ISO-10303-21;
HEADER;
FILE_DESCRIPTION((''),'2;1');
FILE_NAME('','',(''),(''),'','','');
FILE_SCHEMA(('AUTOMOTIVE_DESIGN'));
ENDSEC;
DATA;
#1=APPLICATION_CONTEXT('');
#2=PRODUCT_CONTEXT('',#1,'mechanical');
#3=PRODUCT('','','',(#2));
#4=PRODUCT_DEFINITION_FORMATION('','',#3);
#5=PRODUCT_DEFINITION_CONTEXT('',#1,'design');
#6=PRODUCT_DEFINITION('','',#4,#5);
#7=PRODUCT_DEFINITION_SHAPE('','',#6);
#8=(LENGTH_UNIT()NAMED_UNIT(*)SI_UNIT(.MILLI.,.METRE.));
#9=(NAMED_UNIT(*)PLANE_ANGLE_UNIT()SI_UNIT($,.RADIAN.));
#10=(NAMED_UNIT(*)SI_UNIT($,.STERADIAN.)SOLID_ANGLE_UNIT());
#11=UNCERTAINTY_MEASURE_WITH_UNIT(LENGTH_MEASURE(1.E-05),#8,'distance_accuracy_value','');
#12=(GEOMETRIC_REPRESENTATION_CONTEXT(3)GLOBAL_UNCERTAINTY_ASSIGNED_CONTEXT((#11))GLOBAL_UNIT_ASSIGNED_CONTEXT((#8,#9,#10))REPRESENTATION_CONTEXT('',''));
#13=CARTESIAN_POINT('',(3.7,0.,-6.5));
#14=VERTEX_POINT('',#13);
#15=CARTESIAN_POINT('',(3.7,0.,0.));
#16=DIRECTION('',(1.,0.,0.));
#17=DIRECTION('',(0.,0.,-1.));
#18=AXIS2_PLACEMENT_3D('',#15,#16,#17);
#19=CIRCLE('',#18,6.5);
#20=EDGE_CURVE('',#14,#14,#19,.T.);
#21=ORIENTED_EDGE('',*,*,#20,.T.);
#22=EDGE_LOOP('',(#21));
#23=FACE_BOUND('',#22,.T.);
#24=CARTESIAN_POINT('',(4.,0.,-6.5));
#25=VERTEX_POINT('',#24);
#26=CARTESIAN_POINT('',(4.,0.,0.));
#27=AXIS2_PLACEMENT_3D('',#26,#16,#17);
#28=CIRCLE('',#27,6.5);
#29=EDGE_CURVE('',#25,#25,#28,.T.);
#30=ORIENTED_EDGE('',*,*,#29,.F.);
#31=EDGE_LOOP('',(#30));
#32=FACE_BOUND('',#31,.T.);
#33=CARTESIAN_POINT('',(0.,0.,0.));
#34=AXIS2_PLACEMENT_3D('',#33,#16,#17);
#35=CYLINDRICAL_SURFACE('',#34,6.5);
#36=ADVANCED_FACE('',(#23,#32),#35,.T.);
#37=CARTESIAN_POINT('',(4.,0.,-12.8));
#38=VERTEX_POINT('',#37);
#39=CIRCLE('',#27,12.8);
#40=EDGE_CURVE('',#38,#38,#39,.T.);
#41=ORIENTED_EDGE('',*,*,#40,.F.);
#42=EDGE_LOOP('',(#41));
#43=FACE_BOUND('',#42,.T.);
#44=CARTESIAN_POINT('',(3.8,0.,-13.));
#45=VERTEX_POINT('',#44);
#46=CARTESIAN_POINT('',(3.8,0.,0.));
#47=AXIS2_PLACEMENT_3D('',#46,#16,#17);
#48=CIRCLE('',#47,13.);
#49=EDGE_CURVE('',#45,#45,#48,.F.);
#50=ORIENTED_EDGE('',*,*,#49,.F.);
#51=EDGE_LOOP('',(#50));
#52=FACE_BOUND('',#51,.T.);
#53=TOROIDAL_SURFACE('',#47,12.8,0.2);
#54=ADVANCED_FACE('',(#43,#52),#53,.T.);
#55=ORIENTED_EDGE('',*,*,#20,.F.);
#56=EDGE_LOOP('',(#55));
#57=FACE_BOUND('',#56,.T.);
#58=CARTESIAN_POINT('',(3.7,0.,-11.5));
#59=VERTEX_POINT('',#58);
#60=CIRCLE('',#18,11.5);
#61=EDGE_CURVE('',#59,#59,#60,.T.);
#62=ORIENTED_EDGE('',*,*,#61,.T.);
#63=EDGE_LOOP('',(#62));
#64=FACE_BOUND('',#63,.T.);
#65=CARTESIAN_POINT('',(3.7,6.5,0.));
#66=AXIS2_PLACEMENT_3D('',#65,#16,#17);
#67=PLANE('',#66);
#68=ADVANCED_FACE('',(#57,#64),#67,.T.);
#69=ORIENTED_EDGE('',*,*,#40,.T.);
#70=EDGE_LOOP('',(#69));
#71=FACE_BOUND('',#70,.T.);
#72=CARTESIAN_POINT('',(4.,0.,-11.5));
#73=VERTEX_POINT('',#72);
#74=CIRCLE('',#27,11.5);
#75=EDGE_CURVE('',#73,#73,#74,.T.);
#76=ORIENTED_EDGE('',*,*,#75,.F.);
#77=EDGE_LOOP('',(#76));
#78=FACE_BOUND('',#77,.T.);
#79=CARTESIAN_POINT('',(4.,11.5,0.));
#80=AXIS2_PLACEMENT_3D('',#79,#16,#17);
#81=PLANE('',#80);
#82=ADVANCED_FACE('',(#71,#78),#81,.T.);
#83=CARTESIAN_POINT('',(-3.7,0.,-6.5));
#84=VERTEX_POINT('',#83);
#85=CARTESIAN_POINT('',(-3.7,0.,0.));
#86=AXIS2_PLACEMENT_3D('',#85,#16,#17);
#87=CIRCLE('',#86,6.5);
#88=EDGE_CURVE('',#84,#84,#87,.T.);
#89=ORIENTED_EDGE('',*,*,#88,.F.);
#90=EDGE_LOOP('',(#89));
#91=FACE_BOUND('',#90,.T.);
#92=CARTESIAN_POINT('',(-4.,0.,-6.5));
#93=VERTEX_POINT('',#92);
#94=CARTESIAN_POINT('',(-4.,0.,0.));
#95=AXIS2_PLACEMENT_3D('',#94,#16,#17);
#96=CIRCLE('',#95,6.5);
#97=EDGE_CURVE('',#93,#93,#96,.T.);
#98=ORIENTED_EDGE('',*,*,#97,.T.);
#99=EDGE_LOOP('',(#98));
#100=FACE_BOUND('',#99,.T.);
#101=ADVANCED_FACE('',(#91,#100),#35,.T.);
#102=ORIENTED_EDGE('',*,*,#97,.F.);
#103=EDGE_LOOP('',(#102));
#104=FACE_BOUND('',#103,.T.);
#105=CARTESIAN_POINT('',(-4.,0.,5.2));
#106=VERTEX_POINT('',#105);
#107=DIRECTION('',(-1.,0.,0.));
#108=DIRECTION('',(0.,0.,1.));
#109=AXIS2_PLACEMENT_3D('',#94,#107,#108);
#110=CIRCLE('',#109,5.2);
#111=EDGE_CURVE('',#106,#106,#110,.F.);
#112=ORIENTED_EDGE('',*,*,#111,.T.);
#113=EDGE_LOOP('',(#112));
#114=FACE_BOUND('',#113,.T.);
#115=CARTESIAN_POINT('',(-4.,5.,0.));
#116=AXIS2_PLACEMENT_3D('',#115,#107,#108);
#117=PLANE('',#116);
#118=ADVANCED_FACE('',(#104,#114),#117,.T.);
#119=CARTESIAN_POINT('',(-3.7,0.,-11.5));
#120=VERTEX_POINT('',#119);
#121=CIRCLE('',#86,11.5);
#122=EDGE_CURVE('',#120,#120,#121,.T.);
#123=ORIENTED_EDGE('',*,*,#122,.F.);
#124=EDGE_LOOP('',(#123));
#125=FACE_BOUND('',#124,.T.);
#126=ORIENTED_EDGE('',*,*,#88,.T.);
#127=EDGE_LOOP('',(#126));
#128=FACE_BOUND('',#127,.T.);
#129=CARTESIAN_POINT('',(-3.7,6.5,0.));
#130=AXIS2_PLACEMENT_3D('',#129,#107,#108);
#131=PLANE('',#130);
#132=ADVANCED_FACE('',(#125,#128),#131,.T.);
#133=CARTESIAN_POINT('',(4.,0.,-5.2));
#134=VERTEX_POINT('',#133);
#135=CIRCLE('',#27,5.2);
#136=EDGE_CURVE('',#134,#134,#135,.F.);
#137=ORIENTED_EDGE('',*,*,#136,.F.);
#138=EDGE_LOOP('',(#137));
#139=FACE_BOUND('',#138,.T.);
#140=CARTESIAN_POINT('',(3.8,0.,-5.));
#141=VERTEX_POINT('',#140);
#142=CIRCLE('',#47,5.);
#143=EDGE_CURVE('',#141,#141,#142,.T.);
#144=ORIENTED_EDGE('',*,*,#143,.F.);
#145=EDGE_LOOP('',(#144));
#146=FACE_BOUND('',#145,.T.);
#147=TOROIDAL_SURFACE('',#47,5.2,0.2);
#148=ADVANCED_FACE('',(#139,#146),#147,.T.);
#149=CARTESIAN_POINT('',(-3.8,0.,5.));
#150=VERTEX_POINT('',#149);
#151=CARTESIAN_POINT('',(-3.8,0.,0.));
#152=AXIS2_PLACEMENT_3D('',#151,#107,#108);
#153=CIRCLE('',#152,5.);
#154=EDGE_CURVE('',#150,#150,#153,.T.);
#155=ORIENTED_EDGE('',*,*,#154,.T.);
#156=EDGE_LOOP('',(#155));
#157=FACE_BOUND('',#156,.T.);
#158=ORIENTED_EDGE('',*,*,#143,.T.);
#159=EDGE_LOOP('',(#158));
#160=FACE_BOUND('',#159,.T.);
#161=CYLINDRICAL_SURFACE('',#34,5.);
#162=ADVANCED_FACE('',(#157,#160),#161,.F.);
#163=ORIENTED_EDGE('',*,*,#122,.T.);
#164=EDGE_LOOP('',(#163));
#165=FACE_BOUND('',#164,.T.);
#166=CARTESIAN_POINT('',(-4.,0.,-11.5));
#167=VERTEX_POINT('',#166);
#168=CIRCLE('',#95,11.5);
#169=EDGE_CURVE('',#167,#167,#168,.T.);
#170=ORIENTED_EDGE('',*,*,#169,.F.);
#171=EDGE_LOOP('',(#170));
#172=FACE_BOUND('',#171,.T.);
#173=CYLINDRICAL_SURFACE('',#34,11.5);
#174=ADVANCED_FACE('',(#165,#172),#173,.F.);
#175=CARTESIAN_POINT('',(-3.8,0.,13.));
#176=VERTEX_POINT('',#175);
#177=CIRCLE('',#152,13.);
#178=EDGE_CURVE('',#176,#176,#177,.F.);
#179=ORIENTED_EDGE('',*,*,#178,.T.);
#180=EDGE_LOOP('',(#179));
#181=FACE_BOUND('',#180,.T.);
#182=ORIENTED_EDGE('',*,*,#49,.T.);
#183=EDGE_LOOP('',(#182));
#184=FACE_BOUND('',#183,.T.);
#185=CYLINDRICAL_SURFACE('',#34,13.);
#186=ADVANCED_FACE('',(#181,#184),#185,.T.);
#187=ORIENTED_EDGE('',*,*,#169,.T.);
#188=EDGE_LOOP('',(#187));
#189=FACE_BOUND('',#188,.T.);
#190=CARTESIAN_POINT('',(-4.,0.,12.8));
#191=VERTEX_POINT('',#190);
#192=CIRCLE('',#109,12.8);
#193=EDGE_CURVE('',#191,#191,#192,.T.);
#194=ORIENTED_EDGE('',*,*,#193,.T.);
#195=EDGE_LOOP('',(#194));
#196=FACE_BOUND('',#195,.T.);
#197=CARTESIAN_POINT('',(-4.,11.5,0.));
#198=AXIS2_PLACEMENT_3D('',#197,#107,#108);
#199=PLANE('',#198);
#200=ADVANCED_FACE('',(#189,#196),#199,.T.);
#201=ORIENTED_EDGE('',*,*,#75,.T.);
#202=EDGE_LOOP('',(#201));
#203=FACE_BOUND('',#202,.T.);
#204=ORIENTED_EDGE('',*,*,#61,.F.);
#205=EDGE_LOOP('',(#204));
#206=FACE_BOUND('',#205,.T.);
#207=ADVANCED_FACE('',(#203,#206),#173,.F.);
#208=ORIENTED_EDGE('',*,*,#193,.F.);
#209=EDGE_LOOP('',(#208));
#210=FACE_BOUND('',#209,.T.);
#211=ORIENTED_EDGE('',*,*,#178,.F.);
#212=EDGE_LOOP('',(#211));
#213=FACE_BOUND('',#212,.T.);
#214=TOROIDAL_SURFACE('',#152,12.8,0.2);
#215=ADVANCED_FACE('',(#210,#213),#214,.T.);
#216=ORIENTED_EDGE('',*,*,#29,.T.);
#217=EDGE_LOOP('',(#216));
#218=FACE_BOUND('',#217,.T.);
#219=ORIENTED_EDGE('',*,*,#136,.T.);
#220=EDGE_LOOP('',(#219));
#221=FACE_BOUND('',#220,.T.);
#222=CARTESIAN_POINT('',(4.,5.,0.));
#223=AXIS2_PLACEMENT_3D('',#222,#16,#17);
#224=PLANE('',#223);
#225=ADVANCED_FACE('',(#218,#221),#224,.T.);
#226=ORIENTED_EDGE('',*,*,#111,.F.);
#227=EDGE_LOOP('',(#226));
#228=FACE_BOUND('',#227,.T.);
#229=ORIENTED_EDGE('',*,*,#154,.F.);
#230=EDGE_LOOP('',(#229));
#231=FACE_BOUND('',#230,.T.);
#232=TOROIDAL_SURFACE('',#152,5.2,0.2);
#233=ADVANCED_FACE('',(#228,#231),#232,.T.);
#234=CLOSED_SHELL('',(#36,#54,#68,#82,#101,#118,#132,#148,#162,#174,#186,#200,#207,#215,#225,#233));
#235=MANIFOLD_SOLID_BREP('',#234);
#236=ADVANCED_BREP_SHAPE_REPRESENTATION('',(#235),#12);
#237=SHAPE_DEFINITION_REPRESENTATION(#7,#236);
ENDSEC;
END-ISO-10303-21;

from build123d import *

# Parameters (mm, degrees)
FILLET1_R = 0.2


with BuildPart() as part:
    # Sketch1 → Revolve1 (revolve)
    with BuildSketch(Plane.XY, mode=Mode.PRIVATE) as revolve1_sk:
        Polygon((4, 5), (-4, 5), (-4, 6.5), (-3.7, 6.5), (-3.7, 11.5), (-4, 11.5), (-4, 13), (4, 13), (4, 11.5), (3.7, 11.5), (3.7, 6.5), (4, 6.5), align=None)
    revolve(revolve1_sk.sketch.rotate(Axis((0, 0, 0), (-1, 0, 0)), 90), axis=Axis((0, 0, 0), (-1, 0, 0)))

    # Fillet1
    fillet1_edges = [part.edges().sort_by_distance(p)[0] for p in [
        (4, 0, 13),
        (-4, 0, 13),
        (-4, 0, 5),
        (4, 0, 5),
    ]]
    fillet(fillet1_edges, radius=FILLET1_R)


solid = part.part
